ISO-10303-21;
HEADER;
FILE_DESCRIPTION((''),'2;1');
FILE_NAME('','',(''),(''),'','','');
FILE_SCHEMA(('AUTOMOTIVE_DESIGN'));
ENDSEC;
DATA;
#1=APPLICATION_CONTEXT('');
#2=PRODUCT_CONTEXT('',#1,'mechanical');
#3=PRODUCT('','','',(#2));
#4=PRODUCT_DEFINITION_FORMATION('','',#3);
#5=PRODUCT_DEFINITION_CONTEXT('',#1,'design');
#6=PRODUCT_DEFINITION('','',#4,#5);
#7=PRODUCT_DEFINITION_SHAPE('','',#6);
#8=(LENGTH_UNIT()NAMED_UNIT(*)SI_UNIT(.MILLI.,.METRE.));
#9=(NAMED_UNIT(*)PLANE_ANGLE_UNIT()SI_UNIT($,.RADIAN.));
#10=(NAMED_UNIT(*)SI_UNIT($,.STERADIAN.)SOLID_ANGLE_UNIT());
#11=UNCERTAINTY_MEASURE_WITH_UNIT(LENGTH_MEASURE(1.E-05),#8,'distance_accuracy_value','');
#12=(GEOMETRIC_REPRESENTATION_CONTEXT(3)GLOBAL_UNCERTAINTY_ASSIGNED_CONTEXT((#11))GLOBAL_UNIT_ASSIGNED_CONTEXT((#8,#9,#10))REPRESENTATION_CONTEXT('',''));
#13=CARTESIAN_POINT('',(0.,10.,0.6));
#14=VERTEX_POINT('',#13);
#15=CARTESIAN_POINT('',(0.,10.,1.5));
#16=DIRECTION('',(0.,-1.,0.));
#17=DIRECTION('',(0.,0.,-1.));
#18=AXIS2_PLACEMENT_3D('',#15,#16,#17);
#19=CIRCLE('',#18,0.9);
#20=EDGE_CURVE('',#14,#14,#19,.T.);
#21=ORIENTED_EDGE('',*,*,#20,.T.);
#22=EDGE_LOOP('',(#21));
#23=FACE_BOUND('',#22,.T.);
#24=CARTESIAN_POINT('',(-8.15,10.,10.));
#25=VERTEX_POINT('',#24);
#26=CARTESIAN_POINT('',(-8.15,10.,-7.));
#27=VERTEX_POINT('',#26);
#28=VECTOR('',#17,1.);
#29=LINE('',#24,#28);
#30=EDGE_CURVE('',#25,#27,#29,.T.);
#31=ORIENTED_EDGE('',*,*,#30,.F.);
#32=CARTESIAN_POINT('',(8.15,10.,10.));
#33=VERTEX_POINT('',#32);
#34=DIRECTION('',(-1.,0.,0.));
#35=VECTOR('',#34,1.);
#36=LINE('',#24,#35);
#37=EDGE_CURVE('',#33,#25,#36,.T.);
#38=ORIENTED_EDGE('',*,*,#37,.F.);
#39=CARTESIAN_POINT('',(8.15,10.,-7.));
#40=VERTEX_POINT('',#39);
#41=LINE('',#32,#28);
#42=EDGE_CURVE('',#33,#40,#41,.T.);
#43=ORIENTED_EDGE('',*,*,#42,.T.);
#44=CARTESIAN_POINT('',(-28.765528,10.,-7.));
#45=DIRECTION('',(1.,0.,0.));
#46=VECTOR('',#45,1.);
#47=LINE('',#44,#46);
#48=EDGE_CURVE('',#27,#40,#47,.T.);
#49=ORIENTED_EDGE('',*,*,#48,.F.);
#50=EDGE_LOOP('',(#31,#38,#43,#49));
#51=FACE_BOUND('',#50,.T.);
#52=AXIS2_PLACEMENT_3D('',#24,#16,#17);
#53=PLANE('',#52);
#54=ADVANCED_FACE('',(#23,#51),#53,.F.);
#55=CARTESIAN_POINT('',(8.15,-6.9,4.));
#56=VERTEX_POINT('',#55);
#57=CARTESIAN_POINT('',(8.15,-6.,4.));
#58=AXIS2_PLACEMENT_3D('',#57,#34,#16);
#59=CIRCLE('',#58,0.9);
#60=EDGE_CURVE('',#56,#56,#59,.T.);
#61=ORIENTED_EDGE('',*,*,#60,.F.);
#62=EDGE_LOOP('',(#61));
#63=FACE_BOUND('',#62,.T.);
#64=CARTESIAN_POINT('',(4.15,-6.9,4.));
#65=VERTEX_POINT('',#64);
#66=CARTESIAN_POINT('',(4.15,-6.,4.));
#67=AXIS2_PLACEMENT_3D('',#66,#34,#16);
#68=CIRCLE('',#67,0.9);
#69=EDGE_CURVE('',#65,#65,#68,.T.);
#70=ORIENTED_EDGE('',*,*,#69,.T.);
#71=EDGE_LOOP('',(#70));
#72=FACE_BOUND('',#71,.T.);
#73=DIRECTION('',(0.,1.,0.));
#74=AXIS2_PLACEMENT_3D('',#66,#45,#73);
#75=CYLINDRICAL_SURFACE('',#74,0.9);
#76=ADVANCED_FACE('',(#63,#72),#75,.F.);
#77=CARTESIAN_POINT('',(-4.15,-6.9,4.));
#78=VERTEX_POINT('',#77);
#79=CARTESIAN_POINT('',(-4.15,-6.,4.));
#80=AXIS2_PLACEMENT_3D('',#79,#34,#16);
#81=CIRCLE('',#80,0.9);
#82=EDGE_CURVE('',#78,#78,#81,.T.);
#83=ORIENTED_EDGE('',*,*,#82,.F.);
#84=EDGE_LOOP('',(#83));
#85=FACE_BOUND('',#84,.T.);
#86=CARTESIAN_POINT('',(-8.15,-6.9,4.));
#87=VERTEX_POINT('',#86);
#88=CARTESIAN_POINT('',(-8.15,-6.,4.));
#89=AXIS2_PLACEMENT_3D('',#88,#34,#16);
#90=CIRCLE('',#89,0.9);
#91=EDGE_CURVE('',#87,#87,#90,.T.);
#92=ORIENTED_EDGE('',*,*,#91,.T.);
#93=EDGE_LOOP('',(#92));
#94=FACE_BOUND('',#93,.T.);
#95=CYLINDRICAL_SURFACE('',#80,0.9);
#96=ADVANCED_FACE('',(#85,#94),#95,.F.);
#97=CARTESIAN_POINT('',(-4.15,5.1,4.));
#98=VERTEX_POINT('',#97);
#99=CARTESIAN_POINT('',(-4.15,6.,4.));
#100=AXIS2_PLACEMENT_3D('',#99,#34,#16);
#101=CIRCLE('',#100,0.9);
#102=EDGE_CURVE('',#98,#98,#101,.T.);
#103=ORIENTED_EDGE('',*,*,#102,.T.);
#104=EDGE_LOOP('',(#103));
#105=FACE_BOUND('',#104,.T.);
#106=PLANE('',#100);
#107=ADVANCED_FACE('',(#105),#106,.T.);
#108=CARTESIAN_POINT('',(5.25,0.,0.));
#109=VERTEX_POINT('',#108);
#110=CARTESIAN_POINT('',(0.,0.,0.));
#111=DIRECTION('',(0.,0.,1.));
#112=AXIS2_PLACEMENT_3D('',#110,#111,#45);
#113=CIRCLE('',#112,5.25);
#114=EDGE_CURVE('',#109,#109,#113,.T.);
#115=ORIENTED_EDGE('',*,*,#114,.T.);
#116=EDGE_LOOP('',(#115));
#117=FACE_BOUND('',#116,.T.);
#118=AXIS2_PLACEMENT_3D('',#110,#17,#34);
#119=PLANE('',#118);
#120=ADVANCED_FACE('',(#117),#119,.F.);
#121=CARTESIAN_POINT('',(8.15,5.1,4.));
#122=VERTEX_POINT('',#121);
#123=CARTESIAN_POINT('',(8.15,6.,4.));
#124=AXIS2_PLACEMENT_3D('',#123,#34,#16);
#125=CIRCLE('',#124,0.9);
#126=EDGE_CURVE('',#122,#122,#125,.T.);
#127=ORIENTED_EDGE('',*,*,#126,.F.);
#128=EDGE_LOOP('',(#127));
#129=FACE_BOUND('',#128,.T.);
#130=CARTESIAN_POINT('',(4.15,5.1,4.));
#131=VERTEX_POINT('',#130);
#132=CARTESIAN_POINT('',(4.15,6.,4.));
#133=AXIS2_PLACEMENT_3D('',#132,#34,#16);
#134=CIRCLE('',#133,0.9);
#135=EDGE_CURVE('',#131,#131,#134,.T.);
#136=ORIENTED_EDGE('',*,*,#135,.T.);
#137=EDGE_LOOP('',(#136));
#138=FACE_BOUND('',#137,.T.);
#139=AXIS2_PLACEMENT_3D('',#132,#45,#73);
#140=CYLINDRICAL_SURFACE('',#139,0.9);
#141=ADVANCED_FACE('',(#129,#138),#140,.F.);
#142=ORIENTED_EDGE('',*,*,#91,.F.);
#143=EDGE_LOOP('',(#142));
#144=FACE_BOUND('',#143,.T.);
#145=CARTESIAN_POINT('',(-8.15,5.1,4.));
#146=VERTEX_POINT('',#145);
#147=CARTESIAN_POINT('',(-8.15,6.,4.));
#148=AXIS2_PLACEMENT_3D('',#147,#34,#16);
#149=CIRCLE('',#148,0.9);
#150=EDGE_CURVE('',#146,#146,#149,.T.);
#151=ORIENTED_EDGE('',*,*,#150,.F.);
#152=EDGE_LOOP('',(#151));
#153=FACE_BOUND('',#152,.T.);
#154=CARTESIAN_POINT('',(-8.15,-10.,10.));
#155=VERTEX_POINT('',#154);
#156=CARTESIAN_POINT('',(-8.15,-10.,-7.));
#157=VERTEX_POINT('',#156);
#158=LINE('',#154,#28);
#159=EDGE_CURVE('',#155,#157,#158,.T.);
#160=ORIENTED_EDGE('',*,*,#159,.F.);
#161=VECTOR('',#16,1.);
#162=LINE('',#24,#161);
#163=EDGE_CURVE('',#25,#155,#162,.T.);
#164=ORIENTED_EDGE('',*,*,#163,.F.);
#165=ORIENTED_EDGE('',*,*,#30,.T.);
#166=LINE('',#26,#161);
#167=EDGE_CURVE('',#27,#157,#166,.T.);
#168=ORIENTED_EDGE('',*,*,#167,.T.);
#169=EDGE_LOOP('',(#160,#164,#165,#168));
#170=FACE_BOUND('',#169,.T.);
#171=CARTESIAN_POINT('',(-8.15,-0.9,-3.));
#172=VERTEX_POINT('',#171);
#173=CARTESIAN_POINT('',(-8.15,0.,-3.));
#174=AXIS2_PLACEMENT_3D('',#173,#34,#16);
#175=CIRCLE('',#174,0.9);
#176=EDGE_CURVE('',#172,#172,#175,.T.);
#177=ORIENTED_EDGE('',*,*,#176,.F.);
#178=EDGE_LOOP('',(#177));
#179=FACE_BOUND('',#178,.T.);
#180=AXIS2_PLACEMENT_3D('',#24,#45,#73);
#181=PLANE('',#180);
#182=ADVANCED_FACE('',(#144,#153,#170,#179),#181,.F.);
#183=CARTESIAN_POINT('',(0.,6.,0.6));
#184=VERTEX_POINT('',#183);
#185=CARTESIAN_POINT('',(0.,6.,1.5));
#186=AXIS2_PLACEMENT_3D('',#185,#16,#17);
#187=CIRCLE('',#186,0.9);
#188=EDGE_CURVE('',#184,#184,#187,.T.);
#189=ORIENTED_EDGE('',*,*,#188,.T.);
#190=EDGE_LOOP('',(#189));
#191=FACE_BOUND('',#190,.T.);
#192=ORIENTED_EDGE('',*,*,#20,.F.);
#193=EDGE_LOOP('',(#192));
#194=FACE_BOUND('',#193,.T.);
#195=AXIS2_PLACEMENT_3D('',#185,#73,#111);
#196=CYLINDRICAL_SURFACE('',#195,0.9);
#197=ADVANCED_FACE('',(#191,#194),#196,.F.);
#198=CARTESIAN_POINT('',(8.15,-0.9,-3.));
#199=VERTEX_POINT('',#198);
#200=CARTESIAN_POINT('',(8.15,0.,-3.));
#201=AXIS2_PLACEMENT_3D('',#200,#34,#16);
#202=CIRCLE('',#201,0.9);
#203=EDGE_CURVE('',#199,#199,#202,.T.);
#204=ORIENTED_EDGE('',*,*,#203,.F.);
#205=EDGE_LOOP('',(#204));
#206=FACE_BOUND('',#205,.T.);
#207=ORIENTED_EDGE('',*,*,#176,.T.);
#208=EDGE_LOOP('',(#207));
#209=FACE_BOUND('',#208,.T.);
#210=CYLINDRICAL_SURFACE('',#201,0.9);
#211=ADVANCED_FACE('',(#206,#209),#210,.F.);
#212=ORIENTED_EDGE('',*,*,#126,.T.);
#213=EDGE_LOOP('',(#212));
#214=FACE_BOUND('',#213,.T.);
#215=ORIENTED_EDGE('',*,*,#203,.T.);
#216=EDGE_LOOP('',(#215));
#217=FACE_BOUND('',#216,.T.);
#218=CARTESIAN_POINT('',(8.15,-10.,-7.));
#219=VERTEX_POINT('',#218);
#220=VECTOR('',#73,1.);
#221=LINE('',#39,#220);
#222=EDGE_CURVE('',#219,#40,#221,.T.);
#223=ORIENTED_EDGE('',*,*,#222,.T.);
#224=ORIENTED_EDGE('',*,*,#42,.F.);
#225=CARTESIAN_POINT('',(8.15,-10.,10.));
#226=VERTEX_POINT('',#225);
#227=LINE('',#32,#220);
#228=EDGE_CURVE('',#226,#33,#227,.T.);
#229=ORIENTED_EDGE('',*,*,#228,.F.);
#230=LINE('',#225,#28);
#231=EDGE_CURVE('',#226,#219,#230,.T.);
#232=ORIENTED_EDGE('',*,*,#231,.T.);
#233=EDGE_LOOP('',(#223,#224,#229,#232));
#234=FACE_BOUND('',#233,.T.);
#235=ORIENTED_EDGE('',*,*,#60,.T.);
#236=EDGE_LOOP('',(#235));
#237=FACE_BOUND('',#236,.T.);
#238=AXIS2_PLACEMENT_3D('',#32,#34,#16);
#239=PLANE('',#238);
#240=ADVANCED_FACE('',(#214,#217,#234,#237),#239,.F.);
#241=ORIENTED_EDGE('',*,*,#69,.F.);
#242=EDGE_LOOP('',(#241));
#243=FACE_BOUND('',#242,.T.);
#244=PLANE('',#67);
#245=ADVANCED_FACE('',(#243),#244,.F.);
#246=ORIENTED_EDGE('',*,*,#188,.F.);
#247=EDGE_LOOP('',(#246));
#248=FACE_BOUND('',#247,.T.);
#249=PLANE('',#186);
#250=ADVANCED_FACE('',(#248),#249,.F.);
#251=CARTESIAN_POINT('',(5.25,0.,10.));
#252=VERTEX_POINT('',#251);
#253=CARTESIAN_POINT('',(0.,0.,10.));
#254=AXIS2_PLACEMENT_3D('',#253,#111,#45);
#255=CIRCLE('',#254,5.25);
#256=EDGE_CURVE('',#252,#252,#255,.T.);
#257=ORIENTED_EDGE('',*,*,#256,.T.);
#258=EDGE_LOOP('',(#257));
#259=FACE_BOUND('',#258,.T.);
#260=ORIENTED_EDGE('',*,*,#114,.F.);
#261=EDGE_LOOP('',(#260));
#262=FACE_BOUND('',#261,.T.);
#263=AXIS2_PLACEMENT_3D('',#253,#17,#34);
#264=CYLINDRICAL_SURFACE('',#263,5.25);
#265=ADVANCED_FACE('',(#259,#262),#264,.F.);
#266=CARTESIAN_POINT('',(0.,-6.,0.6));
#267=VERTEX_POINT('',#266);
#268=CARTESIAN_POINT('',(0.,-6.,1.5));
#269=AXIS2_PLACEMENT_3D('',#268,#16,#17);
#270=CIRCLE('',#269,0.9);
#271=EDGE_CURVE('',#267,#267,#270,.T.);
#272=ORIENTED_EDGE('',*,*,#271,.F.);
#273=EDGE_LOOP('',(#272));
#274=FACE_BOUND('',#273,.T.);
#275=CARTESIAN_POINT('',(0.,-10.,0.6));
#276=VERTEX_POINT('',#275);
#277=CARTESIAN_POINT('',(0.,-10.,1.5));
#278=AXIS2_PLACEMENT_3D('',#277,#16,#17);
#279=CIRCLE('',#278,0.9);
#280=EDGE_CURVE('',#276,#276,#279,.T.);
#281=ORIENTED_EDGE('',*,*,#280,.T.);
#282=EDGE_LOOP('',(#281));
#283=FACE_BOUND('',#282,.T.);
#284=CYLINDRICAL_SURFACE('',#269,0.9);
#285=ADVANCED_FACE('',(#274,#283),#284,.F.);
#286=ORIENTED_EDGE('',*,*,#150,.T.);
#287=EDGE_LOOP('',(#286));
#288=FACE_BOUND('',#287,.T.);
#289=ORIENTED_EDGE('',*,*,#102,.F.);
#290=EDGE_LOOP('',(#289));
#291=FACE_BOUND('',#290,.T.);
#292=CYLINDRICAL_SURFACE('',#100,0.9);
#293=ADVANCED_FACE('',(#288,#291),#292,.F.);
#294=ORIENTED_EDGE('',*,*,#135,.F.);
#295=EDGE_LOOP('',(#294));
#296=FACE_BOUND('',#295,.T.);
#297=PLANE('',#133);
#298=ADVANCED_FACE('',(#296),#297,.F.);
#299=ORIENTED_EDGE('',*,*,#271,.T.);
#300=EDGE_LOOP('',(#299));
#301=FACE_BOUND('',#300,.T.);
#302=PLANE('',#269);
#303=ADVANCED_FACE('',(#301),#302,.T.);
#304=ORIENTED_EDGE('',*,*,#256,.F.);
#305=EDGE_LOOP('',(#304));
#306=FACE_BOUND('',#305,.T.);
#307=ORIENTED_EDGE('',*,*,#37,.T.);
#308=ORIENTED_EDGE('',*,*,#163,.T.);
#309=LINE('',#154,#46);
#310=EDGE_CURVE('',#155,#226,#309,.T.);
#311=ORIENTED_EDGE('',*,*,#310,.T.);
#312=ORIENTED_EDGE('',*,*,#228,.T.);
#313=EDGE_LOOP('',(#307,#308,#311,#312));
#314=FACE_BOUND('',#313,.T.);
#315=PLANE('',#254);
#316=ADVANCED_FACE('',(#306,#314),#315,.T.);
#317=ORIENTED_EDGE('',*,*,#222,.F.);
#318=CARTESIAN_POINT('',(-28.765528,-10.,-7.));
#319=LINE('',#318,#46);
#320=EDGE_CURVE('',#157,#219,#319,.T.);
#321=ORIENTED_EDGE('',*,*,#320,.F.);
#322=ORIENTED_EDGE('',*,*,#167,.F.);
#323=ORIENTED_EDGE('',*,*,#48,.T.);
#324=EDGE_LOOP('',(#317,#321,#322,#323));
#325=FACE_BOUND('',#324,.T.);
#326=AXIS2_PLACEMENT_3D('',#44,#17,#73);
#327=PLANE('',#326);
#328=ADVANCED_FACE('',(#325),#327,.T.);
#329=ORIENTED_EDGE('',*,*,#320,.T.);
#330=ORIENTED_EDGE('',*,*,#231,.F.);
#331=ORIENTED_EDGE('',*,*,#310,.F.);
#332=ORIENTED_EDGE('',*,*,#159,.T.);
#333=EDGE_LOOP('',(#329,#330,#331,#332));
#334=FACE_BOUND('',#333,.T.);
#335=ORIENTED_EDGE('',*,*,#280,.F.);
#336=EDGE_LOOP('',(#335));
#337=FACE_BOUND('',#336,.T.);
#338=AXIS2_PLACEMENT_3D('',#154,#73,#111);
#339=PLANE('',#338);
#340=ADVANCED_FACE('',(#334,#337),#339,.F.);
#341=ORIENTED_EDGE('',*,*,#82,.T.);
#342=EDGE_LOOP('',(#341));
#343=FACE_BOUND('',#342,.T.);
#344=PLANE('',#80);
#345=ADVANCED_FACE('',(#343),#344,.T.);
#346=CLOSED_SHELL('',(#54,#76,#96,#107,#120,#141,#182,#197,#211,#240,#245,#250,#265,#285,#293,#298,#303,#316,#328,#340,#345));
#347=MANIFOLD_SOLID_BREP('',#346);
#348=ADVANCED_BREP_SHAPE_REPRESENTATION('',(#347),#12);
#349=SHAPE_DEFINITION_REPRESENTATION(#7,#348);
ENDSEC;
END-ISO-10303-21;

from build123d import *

# Parameters (mm, degrees)
SKETCH_1_W          = 16.3
SKETCH_1_H          = 20
SKETCH_1_R          = 5.25
EXTRUDE_1_DEPTH     = 10
SKETCH_1_6_W        = 16.3
SKETCH_1_6_H        = 20
EXTRUDE_2_DEPTH     = 2
SKETCH_2_R          = 0.9
CUT_EXTRUDE_1_DEPTH = 4
CUT_EXTRUDE_START   = -12.3
SKETCH_2_2_R        = 0.9
CUT_EXTRUDE_2_DEPTH = 4
SKETCH_3_W          = 5
SKETCH_3_H          = 20
EXTRUDE_3_DEPTH     = 16.3
SKETCH_5_R          = 0.9
CUT_EXTRUDE_3_DEPTH = 22.579851714
SKETCH_6_R          = 0.9
CUT_EXTRUDE_4_DEPTH = 4
CUT_EXTRUDE_START_2 = -16
SKETCH_6_3_R        = 0.9
CUT_EXTRUDE_5_DEPTH = 4


with BuildPart() as part:
    # 草图1 → 凸台-拉伸1 (new body)
    with BuildSketch(Plane.XY):
        Rectangle(SKETCH_1_W, SKETCH_1_H)
        Circle(SKETCH_1_R, mode=Mode.SUBTRACT)
    extrude(amount=EXTRUDE_1_DEPTH)

    # 草图1<6> → 凸台-拉伸2 (add)
    with BuildSketch(Plane.XY):
        Rectangle(SKETCH_1_6_W, SKETCH_1_6_H)
    extrude(amount=-EXTRUDE_2_DEPTH)

    # 草图2 → 切除-拉伸1 (cut)
    with BuildSketch(Plane.ZY.offset(8.15)):
        with Locations(Location((4, 6, 0), (0, 0, 270))):
            Circle(SKETCH_2_R)
        with Locations(Location((4, -6, 0), (0, 0, 270))):
            Circle(SKETCH_2_R)
    extrude(amount=-CUT_EXTRUDE_1_DEPTH, mode=Mode.SUBTRACT)

    # 草图2<2> → 切除-拉伸2 (cut)
    with BuildSketch(Plane.ZY.offset(8.15).offset(CUT_EXTRUDE_START)):
        with Locations(Location((4, 6, 0), (0, 0, 270))):
            Circle(SKETCH_2_2_R)
        with Locations(Location((4, -6, 0), (0, 0, 270))):
            Circle(SKETCH_2_2_R)
    extrude(amount=-CUT_EXTRUDE_2_DEPTH, mode=Mode.SUBTRACT)

    # 草图3 → 凸台-拉伸3 (add)
    with BuildSketch(Plane(origin=(8.15, 0, 0), x_dir=(0, 0, -1), z_dir=(1, 0, 0))):
        with Locations((4.5, 0)):
            Rectangle(SKETCH_3_W, SKETCH_3_H)
    extrude(amount=-EXTRUDE_3_DEPTH)

    # 草图5 → 切除-拉伸3 (cut, through all)
    with BuildSketch(Plane.ZY.offset(8.15)):
        with Locations(Location((-3, 0, 0), (0, 0, 270))):
            Circle(SKETCH_5_R)
    extrude(amount=-CUT_EXTRUDE_3_DEPTH, mode=Mode.SUBTRACT)

    # 草图6 → 切除-拉伸4 (cut)
    with BuildSketch(Plane.XZ.offset(10)):
        with Locations(Location((0, 1.5, 0), (0, 0, 270))):
            Circle(SKETCH_6_R)
    extrude(amount=-CUT_EXTRUDE_4_DEPTH, mode=Mode.SUBTRACT)

    # 草图6<3> → 切除-拉伸5 (cut)
    with BuildSketch(Plane.XZ.offset(10).offset(CUT_EXTRUDE_START_2)):
        with Locations(Location((0, 1.5, 0), (0, 0, 270))):
            Circle(SKETCH_6_3_R)
    extrude(amount=-CUT_EXTRUDE_5_DEPTH, mode=Mode.SUBTRACT)


solid = part.part
